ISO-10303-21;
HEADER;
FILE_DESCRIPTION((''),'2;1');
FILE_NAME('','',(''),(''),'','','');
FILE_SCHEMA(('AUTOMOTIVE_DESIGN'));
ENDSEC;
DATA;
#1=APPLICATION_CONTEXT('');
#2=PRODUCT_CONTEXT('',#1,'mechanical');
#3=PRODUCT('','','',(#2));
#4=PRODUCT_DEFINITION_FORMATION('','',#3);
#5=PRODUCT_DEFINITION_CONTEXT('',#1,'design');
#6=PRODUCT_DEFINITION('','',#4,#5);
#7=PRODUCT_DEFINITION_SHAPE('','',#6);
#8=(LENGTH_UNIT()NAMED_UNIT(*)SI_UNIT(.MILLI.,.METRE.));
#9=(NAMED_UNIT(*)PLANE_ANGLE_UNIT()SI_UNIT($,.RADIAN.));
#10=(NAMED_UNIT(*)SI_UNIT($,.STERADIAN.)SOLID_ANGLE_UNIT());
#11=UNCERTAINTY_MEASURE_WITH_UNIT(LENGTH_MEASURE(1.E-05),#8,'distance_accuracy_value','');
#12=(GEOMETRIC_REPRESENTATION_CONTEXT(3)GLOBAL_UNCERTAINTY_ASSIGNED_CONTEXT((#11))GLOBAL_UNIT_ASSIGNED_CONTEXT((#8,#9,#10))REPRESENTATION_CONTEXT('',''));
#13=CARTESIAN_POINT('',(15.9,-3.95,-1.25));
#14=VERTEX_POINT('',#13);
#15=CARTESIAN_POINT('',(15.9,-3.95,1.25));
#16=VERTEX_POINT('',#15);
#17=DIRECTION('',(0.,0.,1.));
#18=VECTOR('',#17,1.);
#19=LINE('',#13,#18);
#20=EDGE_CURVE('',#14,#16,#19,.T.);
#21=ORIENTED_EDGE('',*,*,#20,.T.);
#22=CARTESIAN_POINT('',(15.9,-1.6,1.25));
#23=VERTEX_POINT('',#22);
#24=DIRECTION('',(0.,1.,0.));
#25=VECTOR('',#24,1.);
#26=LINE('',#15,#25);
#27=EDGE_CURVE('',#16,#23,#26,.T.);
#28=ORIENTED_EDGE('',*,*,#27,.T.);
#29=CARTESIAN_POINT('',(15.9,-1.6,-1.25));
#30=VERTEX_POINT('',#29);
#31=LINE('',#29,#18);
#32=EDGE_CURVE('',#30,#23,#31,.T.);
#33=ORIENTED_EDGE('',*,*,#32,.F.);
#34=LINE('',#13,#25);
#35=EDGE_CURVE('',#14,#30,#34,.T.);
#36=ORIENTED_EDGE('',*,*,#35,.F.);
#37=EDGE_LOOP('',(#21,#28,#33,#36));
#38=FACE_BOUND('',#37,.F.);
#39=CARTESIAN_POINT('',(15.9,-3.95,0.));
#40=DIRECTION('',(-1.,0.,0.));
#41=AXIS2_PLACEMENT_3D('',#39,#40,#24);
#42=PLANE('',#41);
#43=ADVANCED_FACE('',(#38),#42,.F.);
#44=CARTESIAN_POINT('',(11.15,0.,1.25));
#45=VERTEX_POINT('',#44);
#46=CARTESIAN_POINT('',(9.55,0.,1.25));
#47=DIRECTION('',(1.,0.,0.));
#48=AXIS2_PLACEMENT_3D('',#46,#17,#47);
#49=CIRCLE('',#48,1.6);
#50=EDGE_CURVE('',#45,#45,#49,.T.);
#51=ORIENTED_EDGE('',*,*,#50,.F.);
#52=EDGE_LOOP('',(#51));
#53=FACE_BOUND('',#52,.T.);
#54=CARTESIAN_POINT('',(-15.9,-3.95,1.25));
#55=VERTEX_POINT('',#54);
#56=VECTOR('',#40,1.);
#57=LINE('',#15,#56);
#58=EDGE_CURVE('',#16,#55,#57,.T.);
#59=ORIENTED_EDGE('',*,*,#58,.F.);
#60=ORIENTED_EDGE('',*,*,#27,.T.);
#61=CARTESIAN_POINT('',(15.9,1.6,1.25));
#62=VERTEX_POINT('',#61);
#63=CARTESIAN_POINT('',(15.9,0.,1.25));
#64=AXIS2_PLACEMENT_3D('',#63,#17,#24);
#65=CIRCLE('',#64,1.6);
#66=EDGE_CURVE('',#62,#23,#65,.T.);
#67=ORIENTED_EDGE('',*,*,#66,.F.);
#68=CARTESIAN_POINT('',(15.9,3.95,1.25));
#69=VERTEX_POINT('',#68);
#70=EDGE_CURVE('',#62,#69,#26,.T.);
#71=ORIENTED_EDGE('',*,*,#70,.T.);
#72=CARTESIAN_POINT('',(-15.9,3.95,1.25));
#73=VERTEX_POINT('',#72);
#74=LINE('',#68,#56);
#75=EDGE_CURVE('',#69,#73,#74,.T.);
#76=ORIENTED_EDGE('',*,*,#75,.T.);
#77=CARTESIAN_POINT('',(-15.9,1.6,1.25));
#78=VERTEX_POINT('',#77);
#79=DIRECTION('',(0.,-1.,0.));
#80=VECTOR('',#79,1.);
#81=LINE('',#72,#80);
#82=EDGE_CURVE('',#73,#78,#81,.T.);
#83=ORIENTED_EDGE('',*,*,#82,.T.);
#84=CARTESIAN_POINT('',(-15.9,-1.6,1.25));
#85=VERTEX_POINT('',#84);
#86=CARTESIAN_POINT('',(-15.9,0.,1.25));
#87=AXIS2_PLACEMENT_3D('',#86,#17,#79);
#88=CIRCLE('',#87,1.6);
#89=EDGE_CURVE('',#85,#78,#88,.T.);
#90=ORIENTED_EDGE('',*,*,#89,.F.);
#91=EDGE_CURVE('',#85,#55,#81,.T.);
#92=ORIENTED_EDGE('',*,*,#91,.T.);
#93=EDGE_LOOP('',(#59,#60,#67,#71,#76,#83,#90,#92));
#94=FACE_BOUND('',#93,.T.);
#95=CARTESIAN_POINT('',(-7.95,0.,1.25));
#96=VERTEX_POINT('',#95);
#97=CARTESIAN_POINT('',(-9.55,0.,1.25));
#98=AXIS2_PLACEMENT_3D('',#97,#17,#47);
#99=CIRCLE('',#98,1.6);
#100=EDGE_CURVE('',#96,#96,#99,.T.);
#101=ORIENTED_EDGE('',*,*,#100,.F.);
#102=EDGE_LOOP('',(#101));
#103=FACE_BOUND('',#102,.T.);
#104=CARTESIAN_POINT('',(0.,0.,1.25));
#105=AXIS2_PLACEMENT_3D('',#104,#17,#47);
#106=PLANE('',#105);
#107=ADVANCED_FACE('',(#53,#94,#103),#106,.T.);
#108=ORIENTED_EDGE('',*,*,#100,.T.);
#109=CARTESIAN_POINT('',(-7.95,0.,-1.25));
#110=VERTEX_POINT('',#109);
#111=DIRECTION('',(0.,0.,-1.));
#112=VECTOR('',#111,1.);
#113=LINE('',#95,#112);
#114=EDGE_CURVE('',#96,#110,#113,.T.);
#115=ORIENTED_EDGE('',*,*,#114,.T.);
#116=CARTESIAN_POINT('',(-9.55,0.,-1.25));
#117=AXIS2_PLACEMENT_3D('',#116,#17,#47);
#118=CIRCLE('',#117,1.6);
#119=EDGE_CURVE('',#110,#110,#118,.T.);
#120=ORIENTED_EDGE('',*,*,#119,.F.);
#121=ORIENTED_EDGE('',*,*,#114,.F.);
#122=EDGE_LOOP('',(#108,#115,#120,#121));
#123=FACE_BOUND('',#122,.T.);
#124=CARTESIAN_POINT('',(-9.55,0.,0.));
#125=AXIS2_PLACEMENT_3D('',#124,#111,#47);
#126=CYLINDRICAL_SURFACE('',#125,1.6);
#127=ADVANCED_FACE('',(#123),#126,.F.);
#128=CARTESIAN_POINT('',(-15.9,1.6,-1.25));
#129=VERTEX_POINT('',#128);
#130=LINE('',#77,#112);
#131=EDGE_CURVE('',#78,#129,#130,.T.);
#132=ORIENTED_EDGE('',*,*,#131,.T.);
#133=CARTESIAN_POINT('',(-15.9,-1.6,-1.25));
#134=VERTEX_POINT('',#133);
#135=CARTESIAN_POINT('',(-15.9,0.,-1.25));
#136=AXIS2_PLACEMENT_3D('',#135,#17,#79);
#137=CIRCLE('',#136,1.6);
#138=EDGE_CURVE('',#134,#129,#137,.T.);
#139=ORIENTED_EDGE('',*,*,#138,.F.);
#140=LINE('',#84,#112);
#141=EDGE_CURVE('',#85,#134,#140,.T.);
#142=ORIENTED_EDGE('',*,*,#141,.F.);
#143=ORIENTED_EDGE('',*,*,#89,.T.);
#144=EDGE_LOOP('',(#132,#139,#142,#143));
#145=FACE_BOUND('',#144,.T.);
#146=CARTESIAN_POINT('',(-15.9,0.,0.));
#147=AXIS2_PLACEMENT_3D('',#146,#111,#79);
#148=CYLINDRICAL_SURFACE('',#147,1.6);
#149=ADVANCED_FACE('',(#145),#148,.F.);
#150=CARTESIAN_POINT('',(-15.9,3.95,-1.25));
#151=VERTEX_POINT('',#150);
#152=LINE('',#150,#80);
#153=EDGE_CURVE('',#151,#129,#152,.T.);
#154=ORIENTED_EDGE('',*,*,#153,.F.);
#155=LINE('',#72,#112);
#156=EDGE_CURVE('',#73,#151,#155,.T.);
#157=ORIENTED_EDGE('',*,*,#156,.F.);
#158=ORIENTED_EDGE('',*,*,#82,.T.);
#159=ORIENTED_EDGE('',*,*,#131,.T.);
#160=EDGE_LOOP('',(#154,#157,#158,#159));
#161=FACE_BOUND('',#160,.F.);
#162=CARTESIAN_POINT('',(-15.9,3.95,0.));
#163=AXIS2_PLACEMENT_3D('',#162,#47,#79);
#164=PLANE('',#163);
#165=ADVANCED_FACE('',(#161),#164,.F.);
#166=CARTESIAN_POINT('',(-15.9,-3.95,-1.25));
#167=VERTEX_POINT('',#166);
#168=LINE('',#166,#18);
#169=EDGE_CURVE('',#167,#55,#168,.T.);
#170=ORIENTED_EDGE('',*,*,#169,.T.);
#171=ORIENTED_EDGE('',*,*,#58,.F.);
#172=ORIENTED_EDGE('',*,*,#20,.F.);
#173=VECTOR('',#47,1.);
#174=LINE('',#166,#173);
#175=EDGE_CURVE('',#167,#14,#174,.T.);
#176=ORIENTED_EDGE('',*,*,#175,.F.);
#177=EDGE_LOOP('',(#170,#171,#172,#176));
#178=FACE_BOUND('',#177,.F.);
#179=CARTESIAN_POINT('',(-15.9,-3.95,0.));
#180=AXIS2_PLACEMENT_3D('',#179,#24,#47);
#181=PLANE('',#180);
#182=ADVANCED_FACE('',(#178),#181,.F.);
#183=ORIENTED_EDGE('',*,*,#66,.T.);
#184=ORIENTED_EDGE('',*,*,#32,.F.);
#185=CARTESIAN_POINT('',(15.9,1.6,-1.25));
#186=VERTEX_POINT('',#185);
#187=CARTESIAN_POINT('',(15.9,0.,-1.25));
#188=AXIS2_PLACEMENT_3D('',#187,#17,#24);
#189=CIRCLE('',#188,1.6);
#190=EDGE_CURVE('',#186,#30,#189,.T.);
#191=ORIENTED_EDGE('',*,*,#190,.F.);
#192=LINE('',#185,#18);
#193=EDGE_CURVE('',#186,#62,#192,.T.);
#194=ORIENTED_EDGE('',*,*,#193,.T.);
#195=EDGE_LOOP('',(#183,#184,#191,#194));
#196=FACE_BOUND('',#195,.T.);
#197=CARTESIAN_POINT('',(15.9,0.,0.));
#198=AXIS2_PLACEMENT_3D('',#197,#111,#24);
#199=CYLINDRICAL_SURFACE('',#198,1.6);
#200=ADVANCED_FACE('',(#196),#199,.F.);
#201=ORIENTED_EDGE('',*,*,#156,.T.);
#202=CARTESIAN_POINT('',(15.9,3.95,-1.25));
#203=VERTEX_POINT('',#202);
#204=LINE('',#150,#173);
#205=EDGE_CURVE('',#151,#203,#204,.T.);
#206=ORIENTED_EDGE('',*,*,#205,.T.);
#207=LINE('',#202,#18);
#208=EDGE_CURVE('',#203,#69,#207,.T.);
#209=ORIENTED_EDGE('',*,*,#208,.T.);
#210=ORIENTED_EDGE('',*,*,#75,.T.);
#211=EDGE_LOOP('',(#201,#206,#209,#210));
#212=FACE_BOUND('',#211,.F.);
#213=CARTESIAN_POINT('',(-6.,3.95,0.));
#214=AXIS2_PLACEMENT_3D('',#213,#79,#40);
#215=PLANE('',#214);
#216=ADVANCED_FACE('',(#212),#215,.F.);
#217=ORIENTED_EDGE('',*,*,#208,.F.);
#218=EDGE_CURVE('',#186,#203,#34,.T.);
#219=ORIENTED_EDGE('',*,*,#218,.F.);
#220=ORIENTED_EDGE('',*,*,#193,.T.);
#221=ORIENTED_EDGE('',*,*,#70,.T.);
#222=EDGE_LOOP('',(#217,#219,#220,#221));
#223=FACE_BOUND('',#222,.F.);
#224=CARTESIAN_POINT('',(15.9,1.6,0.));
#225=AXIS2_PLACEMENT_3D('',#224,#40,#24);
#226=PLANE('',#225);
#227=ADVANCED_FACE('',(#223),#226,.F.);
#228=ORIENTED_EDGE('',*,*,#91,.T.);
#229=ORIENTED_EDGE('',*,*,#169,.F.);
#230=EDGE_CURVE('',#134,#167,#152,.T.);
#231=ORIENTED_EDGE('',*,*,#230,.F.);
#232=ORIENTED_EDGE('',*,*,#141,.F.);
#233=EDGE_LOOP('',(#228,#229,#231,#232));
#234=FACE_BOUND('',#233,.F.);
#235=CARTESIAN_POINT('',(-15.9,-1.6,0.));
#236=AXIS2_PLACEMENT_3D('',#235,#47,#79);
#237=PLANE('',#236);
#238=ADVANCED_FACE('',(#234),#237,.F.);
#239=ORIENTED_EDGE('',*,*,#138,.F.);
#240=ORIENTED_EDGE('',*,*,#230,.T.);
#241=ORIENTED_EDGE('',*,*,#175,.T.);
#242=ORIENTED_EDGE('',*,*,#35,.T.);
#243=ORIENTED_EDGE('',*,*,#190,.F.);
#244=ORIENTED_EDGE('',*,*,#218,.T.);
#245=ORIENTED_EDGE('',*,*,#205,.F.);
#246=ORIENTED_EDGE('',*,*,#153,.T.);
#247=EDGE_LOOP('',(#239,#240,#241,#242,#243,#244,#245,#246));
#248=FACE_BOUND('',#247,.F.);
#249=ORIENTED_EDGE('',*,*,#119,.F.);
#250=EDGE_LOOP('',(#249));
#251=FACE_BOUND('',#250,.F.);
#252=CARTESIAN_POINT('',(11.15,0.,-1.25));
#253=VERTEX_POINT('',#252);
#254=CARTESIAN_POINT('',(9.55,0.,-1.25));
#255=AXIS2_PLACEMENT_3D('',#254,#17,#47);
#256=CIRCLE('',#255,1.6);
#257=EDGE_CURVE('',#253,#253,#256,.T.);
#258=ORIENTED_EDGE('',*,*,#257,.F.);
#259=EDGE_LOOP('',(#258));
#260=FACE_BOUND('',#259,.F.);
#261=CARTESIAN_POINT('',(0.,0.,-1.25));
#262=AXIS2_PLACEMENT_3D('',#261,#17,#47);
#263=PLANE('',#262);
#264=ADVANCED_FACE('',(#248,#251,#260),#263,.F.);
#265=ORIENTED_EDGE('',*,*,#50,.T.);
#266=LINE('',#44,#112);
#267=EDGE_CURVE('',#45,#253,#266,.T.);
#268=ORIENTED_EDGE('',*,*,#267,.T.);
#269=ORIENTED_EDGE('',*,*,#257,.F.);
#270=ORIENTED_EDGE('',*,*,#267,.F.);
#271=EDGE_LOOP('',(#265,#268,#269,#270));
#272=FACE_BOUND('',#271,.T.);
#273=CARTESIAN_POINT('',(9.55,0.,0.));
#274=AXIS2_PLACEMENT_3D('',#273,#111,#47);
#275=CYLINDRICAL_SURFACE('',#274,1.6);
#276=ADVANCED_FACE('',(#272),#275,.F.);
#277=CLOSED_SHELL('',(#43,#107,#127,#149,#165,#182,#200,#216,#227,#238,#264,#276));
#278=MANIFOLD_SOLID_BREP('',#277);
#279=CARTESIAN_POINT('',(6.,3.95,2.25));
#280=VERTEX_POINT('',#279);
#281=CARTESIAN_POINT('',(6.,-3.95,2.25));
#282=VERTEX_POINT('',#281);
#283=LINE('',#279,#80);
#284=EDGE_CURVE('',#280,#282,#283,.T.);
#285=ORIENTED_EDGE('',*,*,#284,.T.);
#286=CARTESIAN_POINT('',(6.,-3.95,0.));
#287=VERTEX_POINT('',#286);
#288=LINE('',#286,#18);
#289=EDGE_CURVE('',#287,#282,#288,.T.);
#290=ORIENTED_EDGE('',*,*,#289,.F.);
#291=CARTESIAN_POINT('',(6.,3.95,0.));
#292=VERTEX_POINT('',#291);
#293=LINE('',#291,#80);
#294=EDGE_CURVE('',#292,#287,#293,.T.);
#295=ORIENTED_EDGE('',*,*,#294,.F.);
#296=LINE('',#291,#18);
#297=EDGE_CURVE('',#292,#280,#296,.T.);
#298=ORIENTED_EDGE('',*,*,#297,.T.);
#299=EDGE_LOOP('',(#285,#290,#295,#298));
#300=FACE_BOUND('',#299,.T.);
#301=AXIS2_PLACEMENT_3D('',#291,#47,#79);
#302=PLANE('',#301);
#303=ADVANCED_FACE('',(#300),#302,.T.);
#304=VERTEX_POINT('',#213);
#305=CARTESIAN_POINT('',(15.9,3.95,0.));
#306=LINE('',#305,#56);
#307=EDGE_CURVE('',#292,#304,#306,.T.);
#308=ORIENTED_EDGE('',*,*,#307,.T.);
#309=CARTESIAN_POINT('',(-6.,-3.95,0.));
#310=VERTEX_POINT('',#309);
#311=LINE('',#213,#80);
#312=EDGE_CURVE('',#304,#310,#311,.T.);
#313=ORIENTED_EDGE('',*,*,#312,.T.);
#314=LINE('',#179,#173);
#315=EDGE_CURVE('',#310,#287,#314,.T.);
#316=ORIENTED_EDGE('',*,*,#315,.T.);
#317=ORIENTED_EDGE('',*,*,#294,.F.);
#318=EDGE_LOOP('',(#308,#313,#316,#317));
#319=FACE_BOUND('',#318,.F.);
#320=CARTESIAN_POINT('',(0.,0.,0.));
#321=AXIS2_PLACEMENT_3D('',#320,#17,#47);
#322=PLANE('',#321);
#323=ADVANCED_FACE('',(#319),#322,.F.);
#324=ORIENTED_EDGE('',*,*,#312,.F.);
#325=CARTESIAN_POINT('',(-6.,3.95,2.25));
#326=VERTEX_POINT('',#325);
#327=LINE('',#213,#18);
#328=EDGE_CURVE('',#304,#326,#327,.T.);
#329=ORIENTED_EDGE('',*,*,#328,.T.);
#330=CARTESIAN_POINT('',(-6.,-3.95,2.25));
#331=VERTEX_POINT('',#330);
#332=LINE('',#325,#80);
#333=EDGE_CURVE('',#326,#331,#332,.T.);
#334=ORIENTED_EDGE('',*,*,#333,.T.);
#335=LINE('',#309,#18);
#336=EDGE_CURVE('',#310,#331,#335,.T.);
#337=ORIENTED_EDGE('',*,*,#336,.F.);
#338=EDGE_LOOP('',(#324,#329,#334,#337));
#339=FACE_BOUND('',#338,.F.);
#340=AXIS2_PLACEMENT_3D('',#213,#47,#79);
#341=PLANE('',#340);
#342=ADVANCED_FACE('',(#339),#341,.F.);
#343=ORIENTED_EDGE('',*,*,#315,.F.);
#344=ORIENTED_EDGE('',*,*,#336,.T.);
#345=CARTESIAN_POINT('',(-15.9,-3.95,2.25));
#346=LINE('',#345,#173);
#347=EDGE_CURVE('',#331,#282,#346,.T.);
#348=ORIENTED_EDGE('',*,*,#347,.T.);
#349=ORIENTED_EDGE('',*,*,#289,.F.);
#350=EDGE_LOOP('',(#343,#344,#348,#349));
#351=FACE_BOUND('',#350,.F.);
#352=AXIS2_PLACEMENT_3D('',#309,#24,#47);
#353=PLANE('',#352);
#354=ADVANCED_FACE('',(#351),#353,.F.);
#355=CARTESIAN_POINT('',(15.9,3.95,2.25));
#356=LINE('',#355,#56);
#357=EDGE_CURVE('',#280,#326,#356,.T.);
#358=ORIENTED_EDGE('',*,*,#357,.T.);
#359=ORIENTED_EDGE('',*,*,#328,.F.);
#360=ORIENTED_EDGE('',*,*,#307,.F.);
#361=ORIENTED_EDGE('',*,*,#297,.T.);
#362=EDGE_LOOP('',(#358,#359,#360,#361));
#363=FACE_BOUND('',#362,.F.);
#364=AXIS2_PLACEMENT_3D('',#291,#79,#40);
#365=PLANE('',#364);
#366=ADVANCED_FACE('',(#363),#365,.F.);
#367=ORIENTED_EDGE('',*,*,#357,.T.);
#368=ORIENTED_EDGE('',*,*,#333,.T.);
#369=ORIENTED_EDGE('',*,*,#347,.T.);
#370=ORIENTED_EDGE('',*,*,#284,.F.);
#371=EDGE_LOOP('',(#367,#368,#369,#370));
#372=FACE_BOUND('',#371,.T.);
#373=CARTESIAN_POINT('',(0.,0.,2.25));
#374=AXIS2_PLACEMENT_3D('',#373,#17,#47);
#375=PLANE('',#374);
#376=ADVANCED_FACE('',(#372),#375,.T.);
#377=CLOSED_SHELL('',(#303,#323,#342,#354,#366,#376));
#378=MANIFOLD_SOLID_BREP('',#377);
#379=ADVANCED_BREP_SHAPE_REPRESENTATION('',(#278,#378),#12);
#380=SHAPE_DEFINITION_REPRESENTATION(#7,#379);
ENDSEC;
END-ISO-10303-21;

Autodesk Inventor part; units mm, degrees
ref_plane "YZ Plane" through (0, 0, 0) normal (1, 0, 0) x (0, 1, 0)
ref_plane "XZ Plane" through (0, 0, 0) normal (0, 1, 0) x (-1, 0, 0)
ref_plane "XY Plane" through (0, 0, 0) normal (0, 0, 1) x (1, 0, 0)
sketch "Sketch1" plane through (0, 0, 0) normal (0, 0, 1) x (1, 0, 0)
  line L0 (-15.9, -3.95) -> (15.9, -3.95)
  line L1 (15.9, -3.95) -> (15.9, 3.95)
  line L2 (15.9, 3.95) -> (-15.9, 3.95)
  line L3 (-15.9, 3.95) -> (-15.9, -3.95)
  line L4 (-15.9, -3.95) -> (15.9, 3.95) construction
  line L5 (15.9, -3.95) -> (-15.9, 3.95) construction
  line L6 (-15.9, 0) -> (15.9, 0) construction
  line L7 (0, 3.95) -> (0, -3.95) construction
  circle A0 centre (9.55, 0) radius 1.6
  arc A1 (15.9, 1.6) -> (15.9, -1.6) centre (15.9, 0) ccw
  circle A2 centre (-9.55, 0) radius 1.6
  arc A3 (-15.9, -1.6) -> (-15.9, 1.6) centre (-15.9, 0) ccw
  line L8 (6, 3.95) -> (6, -3.95)
  line L9 (-6, 3.95) -> (-6, -3.95)
  point P0 (0, 0)
  point P1 (-15.9, 1.6)
  point P2 (-15.9, -1.6)
  dimension "d0" = 31.8
  dimension "d1" = 7.9
  dimension "d2" = 3.2
  dimension "d3" = 19.1
  dimension "d4" = 12
extrude "Extrusion1" add sketch "Sketch1" along normal mid plane 2.5 contours L3 A3 L2 L9 L0 | L9 L2 L8 L0 | L8 L2 L1 A1 L0
extrude "Extrusion2" add sketch "Sketch1" along normal blind 2.25 separate body contours L9 L2 L8 L0
properties part number "SC700-40kg"
